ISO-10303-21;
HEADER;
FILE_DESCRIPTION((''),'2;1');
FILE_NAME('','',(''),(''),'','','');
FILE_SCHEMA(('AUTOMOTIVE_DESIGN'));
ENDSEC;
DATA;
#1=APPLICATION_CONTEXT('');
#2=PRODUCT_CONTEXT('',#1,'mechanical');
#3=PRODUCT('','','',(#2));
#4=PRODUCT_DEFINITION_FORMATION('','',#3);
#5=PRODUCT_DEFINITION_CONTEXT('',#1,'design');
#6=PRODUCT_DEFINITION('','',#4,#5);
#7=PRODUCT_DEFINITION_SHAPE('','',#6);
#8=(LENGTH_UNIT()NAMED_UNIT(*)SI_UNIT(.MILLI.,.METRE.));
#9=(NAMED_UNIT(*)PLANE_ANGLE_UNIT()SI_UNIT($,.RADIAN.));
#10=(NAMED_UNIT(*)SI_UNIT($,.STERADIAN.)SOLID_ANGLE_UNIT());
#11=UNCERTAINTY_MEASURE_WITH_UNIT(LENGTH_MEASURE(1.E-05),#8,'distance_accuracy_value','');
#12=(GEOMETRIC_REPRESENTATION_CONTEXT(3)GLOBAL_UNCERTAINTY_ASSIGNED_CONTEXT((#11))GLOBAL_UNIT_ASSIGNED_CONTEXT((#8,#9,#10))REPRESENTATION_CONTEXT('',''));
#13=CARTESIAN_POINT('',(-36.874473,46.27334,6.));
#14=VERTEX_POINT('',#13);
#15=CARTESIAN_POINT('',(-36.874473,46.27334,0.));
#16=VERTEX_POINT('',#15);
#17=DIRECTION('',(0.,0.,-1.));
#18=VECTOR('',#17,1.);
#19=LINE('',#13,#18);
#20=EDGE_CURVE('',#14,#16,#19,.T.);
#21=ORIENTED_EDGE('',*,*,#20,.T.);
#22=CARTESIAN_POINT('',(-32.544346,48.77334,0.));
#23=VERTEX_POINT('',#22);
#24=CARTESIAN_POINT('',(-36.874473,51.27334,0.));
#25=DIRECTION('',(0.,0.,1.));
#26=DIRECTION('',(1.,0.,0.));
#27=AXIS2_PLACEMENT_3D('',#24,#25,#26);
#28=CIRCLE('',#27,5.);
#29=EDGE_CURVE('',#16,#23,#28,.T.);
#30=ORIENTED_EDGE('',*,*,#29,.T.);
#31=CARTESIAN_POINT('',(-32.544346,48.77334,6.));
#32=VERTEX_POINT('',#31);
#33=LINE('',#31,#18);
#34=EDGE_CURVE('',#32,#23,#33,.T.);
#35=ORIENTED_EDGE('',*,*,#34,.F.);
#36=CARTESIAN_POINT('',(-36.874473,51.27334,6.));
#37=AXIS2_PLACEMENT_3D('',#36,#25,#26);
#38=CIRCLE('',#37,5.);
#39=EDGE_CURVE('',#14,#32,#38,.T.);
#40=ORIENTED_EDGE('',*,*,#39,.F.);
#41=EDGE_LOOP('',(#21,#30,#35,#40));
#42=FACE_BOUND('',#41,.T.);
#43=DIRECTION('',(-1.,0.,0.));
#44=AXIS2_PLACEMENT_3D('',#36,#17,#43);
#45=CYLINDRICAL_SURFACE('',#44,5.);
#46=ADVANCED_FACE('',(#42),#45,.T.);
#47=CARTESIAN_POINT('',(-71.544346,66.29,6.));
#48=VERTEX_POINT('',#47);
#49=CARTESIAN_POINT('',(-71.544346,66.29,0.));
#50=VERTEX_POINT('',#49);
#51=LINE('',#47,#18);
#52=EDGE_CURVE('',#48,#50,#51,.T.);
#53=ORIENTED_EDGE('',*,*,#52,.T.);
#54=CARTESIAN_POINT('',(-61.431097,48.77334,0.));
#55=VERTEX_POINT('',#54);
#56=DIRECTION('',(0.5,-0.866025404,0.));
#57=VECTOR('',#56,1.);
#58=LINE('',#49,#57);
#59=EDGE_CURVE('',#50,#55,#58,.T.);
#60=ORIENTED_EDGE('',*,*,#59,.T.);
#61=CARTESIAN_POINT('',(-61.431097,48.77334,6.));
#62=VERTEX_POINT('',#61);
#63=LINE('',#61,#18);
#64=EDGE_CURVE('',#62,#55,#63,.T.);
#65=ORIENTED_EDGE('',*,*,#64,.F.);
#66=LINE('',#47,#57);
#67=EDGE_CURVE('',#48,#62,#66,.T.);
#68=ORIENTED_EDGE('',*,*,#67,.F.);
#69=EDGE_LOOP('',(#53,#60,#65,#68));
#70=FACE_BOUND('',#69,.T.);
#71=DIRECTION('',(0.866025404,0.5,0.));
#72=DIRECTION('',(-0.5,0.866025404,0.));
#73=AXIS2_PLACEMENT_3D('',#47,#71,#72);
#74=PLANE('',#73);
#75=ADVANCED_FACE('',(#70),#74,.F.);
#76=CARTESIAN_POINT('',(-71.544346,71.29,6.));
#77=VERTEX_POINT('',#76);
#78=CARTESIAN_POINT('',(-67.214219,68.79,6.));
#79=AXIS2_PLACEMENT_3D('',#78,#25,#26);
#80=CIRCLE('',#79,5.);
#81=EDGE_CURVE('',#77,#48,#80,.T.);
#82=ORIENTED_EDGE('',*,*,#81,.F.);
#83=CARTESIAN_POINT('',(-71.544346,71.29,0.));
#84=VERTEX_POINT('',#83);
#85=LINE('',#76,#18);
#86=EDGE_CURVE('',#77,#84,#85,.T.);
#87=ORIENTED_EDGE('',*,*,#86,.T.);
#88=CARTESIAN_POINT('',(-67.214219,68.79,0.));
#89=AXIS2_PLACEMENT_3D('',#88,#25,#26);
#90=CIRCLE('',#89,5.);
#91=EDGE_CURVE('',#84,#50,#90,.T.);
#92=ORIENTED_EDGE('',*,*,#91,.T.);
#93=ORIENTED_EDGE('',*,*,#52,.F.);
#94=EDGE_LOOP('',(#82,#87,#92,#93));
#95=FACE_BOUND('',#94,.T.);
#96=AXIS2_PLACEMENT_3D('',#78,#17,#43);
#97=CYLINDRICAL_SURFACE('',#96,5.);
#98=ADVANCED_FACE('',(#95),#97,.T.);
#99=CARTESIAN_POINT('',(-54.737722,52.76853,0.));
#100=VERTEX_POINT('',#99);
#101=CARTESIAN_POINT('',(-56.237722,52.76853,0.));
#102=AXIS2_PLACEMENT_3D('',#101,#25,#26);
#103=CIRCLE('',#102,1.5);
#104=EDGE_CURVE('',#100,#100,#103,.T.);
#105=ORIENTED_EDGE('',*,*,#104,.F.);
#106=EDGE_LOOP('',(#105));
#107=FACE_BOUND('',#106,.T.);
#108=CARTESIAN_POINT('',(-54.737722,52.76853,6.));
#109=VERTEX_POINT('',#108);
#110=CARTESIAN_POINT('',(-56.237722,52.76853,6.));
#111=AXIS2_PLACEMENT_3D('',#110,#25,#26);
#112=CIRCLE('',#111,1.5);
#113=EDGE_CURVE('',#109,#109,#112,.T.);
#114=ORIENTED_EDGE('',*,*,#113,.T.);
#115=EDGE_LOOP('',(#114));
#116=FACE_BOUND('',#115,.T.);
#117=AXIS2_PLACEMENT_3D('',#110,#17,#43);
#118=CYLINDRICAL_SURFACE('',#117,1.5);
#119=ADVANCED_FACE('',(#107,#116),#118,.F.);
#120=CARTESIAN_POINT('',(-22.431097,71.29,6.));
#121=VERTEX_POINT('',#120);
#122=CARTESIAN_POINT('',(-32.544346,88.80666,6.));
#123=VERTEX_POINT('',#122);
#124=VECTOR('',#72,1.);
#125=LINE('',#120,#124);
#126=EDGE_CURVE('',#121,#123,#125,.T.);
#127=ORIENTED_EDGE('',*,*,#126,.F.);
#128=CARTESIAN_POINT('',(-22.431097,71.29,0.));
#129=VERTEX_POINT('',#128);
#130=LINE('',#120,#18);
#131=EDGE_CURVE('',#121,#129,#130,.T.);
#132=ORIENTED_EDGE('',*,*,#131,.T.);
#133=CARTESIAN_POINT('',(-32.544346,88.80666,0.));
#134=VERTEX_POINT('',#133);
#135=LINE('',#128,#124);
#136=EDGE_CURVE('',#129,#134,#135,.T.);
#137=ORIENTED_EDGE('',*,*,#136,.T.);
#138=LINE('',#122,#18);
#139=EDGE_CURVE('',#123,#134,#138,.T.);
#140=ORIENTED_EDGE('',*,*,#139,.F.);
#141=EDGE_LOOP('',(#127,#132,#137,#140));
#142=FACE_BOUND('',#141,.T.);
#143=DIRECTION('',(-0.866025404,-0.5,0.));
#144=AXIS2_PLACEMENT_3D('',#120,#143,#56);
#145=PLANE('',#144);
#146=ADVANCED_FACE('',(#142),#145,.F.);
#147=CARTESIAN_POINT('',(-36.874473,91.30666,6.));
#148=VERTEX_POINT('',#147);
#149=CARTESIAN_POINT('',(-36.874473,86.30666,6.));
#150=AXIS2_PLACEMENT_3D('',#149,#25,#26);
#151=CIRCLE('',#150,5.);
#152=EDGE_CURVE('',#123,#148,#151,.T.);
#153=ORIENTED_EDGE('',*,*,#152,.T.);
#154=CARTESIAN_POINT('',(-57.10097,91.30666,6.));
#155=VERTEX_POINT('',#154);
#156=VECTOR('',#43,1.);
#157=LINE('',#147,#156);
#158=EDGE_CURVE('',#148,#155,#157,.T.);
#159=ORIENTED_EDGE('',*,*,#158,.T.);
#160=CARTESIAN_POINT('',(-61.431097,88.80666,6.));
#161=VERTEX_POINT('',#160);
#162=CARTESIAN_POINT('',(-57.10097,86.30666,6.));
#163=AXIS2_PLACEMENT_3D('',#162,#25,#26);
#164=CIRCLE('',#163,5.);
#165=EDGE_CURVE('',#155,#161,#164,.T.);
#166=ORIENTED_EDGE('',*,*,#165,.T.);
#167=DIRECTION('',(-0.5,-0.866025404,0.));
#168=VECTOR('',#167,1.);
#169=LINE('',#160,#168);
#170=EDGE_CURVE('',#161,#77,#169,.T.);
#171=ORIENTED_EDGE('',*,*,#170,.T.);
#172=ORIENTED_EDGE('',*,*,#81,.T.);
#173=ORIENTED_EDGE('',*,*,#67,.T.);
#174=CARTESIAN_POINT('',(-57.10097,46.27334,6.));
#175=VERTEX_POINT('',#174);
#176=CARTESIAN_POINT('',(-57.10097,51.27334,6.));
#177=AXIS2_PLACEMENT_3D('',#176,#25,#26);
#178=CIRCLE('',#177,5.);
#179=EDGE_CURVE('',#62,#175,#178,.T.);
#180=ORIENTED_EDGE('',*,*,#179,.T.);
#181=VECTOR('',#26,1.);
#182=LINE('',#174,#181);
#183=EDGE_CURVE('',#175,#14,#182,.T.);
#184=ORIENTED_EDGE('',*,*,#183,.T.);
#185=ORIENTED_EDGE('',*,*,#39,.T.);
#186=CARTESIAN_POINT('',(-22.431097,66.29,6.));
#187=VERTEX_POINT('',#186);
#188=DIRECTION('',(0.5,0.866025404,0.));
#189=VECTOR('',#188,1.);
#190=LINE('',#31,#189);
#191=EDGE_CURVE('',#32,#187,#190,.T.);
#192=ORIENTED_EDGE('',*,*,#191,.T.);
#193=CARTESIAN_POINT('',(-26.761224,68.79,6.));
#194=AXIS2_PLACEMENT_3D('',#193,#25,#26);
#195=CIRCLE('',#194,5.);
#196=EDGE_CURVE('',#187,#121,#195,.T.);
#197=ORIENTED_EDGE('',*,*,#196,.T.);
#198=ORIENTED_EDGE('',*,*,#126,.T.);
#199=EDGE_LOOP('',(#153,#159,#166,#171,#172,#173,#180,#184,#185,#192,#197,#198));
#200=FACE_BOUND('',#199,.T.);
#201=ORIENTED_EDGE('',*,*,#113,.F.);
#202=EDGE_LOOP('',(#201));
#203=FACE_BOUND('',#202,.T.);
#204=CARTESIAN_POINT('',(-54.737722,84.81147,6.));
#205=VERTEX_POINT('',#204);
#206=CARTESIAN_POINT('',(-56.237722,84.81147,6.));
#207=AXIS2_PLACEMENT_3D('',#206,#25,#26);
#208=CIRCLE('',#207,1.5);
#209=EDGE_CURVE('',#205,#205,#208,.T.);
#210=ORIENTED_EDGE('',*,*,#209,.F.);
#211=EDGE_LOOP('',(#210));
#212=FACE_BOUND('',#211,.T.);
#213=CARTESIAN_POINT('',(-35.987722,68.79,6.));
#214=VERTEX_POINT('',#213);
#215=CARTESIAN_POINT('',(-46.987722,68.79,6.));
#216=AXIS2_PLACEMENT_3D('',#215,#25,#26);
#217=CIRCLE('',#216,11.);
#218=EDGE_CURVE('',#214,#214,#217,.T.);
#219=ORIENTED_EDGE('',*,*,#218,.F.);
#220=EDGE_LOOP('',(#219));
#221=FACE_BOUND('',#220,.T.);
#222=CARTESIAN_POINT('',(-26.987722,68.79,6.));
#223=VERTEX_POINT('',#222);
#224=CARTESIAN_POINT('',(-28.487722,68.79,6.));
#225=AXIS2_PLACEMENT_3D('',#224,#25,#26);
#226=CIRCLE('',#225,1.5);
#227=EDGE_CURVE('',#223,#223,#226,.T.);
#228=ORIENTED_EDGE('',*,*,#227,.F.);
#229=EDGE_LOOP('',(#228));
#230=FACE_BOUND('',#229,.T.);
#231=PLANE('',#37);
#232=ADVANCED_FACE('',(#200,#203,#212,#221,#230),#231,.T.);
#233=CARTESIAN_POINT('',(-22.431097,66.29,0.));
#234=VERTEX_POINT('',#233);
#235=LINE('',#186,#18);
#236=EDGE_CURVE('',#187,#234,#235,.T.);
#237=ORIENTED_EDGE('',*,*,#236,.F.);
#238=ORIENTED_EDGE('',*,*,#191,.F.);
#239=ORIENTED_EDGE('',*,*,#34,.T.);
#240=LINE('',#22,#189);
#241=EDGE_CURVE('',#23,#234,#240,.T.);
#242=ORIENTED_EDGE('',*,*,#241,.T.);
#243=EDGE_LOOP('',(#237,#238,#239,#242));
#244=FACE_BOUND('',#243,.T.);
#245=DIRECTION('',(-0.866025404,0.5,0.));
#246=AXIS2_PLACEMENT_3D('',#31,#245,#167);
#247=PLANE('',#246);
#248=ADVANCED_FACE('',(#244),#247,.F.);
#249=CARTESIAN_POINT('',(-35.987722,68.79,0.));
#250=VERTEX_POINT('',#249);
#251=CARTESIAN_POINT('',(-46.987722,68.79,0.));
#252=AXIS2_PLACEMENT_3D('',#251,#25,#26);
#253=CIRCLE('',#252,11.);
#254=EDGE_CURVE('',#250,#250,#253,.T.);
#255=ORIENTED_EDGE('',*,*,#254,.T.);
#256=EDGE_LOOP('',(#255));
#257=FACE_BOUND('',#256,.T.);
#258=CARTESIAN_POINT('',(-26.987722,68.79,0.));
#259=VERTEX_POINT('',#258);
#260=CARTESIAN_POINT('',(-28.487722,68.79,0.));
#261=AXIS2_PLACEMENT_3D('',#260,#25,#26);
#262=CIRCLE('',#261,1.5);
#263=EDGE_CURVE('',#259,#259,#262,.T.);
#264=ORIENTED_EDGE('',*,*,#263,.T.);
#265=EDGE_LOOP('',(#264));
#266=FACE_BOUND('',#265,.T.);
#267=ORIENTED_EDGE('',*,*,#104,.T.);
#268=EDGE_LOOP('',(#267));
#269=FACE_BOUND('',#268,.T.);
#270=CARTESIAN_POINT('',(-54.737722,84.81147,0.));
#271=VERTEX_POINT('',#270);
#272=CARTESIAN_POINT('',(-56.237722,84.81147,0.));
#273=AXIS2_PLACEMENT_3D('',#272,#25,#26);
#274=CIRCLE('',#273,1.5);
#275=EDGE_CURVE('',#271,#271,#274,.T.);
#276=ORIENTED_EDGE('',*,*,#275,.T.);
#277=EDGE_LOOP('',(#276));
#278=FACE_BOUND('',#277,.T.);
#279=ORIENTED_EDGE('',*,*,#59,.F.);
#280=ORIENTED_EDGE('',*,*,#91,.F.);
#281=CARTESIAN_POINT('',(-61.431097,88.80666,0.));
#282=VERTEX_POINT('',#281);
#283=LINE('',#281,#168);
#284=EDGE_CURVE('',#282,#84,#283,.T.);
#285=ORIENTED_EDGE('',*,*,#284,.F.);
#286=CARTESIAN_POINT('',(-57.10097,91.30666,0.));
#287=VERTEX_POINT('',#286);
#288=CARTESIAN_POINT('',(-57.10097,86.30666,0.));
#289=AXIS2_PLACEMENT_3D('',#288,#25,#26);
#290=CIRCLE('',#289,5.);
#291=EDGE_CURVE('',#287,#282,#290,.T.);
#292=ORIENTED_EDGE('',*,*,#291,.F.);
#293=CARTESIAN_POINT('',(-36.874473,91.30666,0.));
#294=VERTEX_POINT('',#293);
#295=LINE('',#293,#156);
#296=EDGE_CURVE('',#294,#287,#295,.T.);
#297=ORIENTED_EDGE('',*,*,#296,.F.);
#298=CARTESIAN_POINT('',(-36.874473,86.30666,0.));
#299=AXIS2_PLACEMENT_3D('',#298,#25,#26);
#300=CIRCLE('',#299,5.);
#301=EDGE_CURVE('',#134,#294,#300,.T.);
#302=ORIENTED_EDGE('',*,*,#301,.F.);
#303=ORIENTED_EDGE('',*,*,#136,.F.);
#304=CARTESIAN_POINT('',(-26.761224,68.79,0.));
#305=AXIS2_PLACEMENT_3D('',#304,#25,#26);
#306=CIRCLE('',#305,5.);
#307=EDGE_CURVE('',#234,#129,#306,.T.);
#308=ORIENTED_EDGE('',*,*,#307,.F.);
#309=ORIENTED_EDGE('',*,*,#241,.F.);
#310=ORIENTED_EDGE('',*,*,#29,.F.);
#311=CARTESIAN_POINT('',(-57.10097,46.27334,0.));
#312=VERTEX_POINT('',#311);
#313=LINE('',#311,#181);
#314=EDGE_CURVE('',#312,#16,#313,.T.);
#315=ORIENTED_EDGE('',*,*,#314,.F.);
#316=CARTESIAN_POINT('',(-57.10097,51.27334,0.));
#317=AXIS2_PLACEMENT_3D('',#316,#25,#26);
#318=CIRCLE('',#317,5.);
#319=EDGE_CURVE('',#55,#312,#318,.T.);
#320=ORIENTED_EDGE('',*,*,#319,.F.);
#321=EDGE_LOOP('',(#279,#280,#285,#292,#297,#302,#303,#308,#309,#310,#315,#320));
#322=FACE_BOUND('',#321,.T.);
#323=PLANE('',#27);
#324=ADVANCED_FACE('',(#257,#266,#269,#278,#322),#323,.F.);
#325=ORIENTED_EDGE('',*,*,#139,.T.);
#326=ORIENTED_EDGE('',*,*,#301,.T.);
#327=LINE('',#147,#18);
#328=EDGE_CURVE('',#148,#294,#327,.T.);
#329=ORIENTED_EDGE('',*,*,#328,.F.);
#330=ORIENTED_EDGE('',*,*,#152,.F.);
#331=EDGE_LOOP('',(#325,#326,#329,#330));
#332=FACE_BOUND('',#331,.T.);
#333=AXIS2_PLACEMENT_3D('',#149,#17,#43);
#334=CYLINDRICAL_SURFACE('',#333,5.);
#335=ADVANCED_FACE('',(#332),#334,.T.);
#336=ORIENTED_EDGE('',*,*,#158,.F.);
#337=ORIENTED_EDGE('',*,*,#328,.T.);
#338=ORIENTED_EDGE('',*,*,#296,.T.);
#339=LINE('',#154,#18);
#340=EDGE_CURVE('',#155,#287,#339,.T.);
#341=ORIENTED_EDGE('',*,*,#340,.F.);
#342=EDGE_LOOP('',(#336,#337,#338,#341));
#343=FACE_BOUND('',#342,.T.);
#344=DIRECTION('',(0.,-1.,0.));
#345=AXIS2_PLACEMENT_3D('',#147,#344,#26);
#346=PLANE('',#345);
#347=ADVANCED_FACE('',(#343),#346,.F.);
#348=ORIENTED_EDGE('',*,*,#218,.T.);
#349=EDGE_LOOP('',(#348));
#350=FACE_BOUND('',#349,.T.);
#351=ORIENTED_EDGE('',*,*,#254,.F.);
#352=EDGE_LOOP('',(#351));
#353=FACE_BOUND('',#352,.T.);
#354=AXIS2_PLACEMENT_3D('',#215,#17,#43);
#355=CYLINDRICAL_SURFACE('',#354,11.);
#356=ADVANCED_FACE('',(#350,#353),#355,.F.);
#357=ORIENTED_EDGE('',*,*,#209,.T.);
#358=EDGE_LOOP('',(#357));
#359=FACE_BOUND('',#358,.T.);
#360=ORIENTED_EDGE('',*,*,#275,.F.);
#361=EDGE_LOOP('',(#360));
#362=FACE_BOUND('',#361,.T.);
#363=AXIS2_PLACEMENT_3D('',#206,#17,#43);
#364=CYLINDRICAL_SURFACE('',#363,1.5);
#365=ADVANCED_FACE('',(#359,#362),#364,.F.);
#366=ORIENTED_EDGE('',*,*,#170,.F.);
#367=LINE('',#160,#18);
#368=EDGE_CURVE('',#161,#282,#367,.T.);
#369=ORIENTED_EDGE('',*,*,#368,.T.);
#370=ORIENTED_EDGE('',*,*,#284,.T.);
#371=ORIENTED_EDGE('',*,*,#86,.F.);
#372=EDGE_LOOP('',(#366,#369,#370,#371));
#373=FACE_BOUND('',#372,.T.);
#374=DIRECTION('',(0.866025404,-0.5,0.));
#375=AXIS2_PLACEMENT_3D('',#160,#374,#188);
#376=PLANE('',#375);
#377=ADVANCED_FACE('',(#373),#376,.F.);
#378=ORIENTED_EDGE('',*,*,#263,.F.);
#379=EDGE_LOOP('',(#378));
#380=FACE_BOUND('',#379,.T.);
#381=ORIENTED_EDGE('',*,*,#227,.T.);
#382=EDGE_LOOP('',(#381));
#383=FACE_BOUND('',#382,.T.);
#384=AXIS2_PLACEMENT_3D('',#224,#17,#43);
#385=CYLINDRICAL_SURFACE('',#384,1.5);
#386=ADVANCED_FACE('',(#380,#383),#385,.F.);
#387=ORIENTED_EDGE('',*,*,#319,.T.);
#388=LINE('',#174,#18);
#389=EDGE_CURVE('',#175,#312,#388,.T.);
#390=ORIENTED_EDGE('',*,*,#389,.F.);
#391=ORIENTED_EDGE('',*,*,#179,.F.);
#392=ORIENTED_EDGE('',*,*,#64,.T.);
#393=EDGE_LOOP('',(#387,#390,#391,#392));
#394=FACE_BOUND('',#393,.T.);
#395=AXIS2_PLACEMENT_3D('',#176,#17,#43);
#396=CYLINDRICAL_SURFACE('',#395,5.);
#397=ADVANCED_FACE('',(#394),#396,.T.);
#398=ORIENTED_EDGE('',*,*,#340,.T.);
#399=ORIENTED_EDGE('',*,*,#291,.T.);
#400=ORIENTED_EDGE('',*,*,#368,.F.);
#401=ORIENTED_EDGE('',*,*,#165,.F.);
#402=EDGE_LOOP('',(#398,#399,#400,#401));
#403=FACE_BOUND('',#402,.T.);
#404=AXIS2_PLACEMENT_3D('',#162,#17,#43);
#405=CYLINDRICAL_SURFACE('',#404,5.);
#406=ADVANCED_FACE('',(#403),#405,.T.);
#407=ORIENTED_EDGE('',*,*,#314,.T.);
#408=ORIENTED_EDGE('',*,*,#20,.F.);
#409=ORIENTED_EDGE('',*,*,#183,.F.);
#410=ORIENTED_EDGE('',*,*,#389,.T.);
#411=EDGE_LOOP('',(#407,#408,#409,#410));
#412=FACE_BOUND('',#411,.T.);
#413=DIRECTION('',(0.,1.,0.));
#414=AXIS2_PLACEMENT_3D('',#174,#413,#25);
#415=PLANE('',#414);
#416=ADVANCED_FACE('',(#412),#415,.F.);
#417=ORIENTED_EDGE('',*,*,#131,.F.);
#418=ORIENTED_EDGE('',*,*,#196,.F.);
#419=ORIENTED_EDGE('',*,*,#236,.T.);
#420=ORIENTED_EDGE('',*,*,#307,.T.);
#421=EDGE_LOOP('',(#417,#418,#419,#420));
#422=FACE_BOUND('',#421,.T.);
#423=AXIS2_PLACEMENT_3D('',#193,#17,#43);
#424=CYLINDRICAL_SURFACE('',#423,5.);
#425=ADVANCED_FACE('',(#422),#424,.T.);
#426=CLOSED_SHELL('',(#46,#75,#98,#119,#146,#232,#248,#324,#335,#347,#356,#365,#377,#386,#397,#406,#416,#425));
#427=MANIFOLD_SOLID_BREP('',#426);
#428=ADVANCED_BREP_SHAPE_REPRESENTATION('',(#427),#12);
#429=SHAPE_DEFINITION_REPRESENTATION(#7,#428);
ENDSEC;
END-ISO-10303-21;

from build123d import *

# Parameters (mm, degrees)
SKETCH1_R           = 1.5
SKETCH1_R_2         = 11
BOSS_EXTRUDE1_DEPTH = 6


with BuildPart() as part:
    # Sketch1 → Boss-Extrude1 (new body)
    with BuildSketch(Plane.XY):
        with BuildLine():
            Line((-32.544346114, 48.773339502), (-22.43109746, 66.29))
            ThreePointArc((-22.43109746, 66.29), (-21.761224479, 68.79), (-22.43109746, 71.29))
            Line((-22.43109746, 71.29), (-32.544346114, 88.806660498))
            ThreePointArc((-32.544346114, 88.806660498), (-34.374473133, 90.636787517), (-36.874473133, 91.306660498))
            Line((-36.874473133, 91.306660498), (-57.100970441, 91.306660498))
            ThreePointArc((-57.100970441, 91.306660498), (-59.600970441, 90.636787517), (-61.43109746, 88.806660498))
            Line((-61.43109746, 88.806660498), (-71.544346114, 71.29))
            ThreePointArc((-71.544346114, 71.29), (-72.214219095, 68.79), (-71.544346114, 66.29))
            Line((-71.544346114, 66.29), (-61.43109746, 48.773339502))
            ThreePointArc((-61.43109746, 48.773339502), (-59.600970441, 46.943212483), (-57.100970441, 46.273339502))
            Line((-57.100970441, 46.273339502), (-36.874473133, 46.273339502))
            ThreePointArc((-36.874473133, 46.273339502), (-34.374473133, 46.943212483), (-32.544346114, 48.773339502))
        make_face()
        with Locations((-56.237721787, 84.81146997)):
            Circle(SKETCH1_R, mode=Mode.SUBTRACT)
        with Locations((-28.487721787, 68.79)):
            Circle(SKETCH1_R, mode=Mode.SUBTRACT)
        with Locations((-46.987721787, 68.79)):
            Circle(SKETCH1_R_2, mode=Mode.SUBTRACT)
        with Locations((-56.237721787, 52.76853003)):
            Circle(SKETCH1_R, mode=Mode.SUBTRACT)
    extrude(amount=BOSS_EXTRUDE1_DEPTH)


solid = part.part
